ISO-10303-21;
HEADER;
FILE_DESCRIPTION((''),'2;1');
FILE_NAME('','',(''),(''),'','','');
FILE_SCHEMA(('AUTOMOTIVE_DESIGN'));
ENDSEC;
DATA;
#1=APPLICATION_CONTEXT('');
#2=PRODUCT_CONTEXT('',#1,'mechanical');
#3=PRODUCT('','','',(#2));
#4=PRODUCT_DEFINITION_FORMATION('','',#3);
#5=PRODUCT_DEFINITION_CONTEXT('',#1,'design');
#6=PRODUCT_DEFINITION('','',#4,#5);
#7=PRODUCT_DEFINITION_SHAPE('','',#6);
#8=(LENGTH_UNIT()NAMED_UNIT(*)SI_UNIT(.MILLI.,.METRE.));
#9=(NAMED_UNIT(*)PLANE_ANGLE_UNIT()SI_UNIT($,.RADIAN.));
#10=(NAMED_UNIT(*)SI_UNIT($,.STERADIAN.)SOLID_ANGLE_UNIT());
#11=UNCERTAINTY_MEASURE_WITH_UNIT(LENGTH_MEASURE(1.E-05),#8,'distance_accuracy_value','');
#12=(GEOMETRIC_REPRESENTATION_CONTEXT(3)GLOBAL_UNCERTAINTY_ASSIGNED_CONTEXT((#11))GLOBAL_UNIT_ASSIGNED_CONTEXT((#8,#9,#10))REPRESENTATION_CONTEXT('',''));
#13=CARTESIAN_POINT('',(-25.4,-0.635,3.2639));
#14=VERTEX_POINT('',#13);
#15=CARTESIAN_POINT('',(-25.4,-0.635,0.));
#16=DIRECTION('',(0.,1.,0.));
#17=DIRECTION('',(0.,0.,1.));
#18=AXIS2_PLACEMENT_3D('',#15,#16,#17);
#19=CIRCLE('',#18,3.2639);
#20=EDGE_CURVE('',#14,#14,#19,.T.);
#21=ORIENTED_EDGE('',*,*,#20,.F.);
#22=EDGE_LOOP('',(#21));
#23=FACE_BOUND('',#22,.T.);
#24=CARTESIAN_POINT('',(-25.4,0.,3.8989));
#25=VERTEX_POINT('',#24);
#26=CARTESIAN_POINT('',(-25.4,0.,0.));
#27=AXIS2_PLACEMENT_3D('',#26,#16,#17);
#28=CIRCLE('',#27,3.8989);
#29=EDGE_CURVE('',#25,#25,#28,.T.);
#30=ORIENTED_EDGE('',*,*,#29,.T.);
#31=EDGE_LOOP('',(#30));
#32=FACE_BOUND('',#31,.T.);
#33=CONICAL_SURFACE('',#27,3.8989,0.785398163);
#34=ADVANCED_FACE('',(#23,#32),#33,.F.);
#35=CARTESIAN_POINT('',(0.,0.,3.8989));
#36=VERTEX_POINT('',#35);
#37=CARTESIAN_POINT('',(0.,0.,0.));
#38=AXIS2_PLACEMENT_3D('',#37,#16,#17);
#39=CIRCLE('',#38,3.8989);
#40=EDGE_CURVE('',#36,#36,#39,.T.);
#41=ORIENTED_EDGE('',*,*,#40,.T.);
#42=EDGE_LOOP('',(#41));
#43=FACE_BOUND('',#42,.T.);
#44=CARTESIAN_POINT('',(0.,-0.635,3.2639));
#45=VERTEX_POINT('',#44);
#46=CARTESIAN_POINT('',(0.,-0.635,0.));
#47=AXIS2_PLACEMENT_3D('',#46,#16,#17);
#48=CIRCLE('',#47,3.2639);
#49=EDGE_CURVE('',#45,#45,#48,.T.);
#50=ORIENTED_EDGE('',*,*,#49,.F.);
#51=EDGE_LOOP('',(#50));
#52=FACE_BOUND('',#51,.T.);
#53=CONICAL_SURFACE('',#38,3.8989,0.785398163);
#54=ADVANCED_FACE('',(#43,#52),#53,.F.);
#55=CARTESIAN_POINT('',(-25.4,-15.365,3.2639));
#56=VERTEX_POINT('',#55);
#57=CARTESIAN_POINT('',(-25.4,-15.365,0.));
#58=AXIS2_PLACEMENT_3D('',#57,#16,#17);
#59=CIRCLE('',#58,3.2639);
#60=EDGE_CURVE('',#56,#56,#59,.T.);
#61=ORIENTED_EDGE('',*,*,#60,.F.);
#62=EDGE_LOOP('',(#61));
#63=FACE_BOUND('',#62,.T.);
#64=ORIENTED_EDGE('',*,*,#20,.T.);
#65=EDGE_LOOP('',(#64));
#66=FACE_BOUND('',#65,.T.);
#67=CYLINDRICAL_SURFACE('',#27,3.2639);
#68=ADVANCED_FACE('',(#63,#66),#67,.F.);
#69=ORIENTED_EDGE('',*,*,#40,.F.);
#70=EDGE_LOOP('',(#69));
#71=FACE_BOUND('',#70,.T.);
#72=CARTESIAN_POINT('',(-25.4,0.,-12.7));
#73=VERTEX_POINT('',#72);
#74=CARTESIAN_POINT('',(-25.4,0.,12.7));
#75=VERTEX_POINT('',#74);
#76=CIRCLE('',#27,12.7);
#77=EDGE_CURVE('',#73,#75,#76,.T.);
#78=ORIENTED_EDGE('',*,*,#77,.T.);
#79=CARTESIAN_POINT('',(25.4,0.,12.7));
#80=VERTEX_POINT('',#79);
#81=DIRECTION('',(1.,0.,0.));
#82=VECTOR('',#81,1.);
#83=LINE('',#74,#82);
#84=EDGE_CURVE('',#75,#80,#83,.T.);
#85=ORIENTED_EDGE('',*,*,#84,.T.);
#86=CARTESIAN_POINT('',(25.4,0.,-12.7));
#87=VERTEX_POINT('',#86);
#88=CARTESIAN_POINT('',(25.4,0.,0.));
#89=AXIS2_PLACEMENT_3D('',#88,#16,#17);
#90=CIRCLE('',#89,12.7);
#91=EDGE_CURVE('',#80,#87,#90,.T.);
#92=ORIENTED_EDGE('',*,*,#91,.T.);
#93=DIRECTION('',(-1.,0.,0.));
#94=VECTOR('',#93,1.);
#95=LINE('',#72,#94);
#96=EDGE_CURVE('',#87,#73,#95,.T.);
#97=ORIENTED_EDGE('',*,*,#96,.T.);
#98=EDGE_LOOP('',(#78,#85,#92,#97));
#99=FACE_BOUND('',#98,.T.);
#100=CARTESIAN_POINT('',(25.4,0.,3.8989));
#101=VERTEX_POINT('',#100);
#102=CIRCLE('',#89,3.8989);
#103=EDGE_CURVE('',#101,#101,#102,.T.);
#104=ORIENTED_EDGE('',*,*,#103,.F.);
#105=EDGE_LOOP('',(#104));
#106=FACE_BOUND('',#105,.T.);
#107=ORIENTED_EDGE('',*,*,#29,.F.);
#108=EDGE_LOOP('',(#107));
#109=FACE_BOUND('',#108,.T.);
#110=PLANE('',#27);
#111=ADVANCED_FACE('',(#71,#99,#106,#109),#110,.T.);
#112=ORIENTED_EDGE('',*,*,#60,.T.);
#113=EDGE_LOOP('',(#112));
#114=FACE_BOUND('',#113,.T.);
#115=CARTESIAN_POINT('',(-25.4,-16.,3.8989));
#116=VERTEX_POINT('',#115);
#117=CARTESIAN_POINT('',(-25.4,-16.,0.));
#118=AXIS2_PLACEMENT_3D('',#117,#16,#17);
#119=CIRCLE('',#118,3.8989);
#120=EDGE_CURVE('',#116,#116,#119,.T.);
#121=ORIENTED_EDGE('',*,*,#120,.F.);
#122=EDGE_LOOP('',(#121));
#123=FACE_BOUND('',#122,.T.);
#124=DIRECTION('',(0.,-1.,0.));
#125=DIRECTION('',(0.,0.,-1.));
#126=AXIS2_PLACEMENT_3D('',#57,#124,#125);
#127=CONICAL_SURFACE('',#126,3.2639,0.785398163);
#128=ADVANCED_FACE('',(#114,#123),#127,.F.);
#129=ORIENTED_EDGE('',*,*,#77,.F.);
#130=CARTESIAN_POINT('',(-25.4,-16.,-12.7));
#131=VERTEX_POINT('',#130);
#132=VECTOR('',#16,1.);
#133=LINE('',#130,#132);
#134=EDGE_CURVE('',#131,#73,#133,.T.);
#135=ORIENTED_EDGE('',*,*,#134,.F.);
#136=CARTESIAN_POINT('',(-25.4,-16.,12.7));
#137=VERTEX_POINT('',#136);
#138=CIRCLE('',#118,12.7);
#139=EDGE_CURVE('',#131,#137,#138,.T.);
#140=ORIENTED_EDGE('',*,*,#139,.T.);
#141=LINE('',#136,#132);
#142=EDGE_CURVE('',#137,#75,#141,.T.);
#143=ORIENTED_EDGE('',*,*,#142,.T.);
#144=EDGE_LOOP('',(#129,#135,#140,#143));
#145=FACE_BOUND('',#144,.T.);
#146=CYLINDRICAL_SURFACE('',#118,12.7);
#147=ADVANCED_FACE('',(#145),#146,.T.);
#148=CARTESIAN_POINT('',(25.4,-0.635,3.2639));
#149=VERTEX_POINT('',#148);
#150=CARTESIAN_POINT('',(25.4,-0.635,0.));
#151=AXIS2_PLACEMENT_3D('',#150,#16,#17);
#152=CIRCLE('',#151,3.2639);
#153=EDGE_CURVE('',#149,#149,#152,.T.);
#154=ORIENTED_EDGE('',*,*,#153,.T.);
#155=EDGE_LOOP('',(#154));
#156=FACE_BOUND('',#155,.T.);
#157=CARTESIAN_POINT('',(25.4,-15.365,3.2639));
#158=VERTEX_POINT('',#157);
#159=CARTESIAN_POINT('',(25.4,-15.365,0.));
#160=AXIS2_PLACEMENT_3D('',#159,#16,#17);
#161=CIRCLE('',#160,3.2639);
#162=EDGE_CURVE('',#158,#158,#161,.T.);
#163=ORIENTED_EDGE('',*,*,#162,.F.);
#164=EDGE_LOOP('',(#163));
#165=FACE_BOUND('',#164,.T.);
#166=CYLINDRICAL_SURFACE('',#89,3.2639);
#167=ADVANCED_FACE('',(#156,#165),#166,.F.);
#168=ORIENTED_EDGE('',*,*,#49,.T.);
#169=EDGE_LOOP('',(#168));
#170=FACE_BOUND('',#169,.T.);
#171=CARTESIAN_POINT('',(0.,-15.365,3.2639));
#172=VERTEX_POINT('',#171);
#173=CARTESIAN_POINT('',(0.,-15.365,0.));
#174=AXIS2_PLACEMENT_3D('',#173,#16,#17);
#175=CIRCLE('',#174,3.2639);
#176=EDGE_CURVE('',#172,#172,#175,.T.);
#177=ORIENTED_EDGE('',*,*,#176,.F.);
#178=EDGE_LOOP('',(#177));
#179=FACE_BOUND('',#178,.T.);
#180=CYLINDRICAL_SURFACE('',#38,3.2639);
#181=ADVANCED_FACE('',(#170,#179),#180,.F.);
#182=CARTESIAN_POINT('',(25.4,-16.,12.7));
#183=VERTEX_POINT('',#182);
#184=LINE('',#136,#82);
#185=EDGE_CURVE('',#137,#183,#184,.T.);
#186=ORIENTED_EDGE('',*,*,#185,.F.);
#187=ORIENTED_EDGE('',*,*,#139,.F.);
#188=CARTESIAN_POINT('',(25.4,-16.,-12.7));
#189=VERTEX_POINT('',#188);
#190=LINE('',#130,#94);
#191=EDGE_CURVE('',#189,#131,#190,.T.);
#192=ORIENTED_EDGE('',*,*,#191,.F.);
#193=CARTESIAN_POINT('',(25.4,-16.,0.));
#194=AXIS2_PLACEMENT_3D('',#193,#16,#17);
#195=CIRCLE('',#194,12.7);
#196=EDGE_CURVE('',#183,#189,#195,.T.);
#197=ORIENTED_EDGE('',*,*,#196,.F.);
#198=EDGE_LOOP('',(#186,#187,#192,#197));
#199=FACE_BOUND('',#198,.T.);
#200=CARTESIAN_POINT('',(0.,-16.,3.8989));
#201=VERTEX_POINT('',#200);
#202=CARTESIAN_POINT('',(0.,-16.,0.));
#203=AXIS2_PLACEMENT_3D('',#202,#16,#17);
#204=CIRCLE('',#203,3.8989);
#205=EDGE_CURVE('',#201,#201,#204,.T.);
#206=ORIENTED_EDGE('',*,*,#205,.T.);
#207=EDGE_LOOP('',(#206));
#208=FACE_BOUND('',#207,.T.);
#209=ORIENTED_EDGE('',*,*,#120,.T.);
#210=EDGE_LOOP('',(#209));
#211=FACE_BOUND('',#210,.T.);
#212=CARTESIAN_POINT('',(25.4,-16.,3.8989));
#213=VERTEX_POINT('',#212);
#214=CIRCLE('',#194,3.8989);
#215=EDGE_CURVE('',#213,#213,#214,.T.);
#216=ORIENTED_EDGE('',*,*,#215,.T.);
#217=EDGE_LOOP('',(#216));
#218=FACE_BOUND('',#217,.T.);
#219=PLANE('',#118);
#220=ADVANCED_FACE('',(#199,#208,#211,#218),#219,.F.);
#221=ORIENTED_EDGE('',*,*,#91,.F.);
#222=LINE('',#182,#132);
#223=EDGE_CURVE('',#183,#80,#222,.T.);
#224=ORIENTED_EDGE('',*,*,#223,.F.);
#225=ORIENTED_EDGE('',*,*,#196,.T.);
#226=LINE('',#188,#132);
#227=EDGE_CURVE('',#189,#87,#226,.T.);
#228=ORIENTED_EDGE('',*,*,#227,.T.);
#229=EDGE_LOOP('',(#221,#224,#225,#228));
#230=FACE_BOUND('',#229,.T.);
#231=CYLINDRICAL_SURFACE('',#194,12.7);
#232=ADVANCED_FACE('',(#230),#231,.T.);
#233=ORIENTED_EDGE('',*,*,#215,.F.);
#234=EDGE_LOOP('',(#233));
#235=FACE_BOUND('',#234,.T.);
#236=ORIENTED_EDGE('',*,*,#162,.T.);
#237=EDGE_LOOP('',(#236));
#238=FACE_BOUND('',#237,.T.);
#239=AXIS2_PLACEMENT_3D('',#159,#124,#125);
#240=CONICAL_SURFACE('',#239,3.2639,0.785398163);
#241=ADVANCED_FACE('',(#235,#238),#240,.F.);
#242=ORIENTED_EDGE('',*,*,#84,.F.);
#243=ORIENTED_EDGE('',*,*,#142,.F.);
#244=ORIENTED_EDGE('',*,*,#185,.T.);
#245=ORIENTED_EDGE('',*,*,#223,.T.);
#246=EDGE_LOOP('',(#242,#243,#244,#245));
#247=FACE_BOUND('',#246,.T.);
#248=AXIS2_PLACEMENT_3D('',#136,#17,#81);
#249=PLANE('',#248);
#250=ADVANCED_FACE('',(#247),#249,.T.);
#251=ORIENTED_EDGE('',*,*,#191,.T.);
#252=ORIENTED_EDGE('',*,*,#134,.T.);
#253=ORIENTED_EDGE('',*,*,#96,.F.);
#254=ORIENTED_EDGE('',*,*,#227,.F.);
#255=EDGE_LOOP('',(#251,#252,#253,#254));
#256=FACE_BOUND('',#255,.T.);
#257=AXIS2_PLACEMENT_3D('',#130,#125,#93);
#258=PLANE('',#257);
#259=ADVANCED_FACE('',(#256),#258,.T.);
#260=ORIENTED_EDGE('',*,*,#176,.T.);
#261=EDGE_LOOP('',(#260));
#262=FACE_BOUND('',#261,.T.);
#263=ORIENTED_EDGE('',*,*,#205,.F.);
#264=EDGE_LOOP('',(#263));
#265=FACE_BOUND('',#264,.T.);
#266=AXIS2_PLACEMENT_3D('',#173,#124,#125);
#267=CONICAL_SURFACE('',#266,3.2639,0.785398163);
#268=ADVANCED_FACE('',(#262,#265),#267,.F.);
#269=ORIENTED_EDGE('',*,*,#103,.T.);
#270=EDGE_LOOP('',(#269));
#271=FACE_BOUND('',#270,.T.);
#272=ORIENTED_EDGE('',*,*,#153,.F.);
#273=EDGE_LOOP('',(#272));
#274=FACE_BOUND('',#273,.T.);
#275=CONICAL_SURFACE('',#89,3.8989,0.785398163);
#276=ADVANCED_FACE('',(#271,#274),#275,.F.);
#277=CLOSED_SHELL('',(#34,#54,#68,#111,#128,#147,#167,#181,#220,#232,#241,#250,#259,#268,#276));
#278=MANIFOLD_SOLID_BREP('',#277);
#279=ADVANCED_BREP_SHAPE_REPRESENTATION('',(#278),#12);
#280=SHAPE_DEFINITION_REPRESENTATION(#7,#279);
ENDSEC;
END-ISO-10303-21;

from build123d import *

# Parameters (mm, degrees)
EXTRUDE1_DEPTH                   = 16
F_1_4_CLEARANCE_HOLE1_AT_2_COUNT = 2
F_1_4_CLEARANCE_HOLE1_AT_2_PITCH = 25.4
F_1_4_CLEARANCE_HOLE1_AT_3_COUNT = 2
F_1_4_CLEARANCE_HOLE1_AT_3_PITCH = 25.4


with BuildPart() as part:
    # Sketch1 → Extrude1 (new body)
    with BuildSketch(Plane(origin=(0, 0, 0), x_dir=(1, 0, 0), z_dir=(0, 1, 0))):
        with BuildLine():
            Line((-25.4, 12.7), (25.4, 12.7))
            ThreePointArc((25.4, 12.7), (38.1, 0), (25.4, -12.7))
            Line((25.4, -12.7), (-25.4, -12.7))
            ThreePointArc((-25.4, -12.7), (-38.1, 0), (-25.4, 12.7))
        make_face()
    extrude(amount=-EXTRUDE1_DEPTH)

    # Sketch2 → 1/4 Clearance Hole1 (revolve, cut)
    with BuildSketch(Plane(origin=(0, 0, 0), x_dir=(0, 0, 1), z_dir=(1, 0, 0))):
        Polygon((0, 0), (0, 16), (3.8989, 16), (3.2639, 15.365), (3.2639, 0.635), (3.8989, 0), align=None)
    f_1_4_clearance_hole1 = revolve(axis=Axis((0, 6.35, 0), (0, -1, 0)), mode=Mode.SUBTRACT)

    # 1/4 Clearance Hole1 at 2: 1/4 Clearance Hole1 ×2
    with Locations(*[(-i * F_1_4_CLEARANCE_HOLE1_AT_2_PITCH, 0, 0) for i in range(1, F_1_4_CLEARANCE_HOLE1_AT_2_COUNT)]):
        add(f_1_4_clearance_hole1, mode=Mode.SUBTRACT)

    # 1/4 Clearance Hole1 at 3: 1/4 Clearance Hole1 ×2
    with Locations(*[(i * F_1_4_CLEARANCE_HOLE1_AT_3_PITCH, 0, 0) for i in range(1, F_1_4_CLEARANCE_HOLE1_AT_3_COUNT)]):
        add(f_1_4_clearance_hole1, mode=Mode.SUBTRACT)


solid = part.part
